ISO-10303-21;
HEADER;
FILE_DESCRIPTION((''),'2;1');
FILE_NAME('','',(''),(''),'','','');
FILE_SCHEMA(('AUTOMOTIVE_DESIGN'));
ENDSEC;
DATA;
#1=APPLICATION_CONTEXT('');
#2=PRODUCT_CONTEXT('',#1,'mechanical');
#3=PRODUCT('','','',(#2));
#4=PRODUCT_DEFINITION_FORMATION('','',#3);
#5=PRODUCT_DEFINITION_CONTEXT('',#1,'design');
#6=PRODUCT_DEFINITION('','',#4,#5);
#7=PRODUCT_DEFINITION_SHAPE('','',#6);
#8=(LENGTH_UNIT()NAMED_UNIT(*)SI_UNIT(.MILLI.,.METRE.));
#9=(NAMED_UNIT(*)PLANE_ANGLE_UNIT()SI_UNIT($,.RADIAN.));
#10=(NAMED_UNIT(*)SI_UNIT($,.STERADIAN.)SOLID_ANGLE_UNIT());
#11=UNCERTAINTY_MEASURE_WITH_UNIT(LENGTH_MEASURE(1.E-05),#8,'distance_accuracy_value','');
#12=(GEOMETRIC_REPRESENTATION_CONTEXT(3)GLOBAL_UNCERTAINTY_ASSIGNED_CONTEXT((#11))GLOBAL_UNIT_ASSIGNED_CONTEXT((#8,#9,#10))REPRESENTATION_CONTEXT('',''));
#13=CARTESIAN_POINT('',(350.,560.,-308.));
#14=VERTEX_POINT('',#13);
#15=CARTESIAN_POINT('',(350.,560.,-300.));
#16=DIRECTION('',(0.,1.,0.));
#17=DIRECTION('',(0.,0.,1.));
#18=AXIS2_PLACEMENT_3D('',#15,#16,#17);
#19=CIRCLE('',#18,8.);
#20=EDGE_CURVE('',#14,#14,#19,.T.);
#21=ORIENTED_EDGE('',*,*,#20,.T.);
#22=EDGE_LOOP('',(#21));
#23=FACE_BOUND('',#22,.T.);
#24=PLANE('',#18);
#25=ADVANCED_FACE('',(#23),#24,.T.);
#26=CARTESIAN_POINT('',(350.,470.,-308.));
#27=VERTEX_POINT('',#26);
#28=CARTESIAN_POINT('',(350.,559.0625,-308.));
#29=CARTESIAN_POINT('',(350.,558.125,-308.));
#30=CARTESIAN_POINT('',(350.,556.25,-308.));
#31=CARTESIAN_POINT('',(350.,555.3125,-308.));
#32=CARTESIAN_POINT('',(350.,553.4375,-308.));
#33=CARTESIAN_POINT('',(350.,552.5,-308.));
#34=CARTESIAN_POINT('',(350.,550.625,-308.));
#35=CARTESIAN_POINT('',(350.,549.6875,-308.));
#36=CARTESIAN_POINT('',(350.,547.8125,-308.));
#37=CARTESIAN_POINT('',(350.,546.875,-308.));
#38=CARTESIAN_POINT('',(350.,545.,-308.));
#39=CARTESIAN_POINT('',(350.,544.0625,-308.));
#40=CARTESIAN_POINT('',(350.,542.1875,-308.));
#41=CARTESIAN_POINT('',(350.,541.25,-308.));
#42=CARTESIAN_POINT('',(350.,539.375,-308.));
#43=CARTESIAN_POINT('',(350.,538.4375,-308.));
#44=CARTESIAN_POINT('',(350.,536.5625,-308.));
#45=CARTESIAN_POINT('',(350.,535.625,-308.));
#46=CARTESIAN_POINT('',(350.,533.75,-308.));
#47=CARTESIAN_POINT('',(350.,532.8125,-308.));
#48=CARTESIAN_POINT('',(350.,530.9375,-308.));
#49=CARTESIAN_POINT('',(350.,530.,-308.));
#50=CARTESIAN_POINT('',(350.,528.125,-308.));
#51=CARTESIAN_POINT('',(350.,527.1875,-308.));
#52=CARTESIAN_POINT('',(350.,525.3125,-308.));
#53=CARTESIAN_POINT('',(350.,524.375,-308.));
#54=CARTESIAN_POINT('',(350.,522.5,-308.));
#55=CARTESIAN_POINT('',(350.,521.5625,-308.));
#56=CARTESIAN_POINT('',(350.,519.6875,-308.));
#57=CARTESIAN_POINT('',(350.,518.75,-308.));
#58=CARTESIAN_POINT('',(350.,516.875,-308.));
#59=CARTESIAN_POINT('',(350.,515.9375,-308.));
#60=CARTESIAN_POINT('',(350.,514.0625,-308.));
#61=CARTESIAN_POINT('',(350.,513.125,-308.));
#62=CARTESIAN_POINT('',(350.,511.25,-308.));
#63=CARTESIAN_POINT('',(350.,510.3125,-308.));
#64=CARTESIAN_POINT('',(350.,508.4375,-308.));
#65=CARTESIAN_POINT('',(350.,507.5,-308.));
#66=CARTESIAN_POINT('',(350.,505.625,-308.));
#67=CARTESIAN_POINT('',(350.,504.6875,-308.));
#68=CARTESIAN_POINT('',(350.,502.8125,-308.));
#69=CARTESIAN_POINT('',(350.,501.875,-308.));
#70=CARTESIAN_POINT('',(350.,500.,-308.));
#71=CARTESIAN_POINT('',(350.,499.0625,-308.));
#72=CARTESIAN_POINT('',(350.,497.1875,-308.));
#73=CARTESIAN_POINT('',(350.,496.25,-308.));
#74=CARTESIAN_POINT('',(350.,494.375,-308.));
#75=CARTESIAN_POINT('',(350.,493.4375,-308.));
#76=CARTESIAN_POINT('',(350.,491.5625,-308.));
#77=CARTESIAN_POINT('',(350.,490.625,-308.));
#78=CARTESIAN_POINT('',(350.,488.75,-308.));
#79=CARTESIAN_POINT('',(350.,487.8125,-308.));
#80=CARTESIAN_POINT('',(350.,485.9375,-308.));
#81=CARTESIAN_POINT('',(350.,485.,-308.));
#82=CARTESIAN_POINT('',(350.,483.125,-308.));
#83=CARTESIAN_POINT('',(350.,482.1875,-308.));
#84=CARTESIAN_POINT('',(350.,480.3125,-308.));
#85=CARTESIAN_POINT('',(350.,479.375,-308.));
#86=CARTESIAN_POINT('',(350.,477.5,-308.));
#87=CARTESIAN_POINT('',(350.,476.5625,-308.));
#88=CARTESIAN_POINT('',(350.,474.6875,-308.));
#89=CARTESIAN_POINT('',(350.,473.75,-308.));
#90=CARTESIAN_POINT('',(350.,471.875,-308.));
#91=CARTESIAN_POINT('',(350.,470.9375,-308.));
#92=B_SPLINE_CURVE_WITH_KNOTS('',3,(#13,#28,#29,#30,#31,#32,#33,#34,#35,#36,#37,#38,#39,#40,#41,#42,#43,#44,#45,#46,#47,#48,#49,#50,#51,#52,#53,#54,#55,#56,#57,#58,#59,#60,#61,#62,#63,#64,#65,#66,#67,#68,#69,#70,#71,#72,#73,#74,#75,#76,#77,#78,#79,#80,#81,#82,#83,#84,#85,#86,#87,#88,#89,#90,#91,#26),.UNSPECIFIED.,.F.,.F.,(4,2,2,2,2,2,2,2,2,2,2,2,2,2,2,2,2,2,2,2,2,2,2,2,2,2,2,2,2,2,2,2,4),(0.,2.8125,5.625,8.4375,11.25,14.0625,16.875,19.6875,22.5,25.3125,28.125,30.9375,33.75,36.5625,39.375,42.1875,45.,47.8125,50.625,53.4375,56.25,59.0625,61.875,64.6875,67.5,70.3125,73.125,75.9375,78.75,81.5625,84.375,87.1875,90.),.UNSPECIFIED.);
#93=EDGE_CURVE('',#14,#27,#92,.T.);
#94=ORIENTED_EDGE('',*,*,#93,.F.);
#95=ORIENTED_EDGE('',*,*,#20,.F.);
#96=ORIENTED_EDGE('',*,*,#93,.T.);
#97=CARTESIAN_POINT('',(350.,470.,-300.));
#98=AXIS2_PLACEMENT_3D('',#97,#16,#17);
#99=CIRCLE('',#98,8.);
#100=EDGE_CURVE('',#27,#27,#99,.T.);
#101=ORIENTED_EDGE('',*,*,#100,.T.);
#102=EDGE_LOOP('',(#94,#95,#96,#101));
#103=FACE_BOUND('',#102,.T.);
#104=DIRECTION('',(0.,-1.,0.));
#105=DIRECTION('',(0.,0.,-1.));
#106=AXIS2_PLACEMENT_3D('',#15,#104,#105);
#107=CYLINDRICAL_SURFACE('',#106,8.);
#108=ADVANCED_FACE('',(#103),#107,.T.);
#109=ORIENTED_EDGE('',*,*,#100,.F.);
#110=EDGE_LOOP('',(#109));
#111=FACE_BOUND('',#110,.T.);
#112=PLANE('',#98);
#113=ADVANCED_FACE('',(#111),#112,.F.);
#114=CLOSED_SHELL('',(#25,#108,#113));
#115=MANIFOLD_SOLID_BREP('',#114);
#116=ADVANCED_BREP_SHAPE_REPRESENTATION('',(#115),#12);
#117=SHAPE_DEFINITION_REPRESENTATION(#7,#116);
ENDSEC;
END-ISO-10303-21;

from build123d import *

# Parameters (mm, degrees)
OVEN_KESME_AKTUATOR_MILI_START = 470
SKETCH1_R                      = 8
OVEN_KESME_AKTUATOR_MILI_DEPTH = 90


with BuildPart() as part:
    # Sketch1 → OVEN_kesme_aktuator_mili (new body)
    with BuildSketch(Plane(origin=(0, 0, 0), x_dir=(1, 0, 0), z_dir=(0, 1, 0)).offset(OVEN_KESME_AKTUATOR_MILI_START)):
        with Locations(Location((350, 300, 0), (0, 0, 90))):
            Circle(SKETCH1_R)
    extrude(amount=OVEN_KESME_AKTUATOR_MILI_DEPTH)


solid = part.part
